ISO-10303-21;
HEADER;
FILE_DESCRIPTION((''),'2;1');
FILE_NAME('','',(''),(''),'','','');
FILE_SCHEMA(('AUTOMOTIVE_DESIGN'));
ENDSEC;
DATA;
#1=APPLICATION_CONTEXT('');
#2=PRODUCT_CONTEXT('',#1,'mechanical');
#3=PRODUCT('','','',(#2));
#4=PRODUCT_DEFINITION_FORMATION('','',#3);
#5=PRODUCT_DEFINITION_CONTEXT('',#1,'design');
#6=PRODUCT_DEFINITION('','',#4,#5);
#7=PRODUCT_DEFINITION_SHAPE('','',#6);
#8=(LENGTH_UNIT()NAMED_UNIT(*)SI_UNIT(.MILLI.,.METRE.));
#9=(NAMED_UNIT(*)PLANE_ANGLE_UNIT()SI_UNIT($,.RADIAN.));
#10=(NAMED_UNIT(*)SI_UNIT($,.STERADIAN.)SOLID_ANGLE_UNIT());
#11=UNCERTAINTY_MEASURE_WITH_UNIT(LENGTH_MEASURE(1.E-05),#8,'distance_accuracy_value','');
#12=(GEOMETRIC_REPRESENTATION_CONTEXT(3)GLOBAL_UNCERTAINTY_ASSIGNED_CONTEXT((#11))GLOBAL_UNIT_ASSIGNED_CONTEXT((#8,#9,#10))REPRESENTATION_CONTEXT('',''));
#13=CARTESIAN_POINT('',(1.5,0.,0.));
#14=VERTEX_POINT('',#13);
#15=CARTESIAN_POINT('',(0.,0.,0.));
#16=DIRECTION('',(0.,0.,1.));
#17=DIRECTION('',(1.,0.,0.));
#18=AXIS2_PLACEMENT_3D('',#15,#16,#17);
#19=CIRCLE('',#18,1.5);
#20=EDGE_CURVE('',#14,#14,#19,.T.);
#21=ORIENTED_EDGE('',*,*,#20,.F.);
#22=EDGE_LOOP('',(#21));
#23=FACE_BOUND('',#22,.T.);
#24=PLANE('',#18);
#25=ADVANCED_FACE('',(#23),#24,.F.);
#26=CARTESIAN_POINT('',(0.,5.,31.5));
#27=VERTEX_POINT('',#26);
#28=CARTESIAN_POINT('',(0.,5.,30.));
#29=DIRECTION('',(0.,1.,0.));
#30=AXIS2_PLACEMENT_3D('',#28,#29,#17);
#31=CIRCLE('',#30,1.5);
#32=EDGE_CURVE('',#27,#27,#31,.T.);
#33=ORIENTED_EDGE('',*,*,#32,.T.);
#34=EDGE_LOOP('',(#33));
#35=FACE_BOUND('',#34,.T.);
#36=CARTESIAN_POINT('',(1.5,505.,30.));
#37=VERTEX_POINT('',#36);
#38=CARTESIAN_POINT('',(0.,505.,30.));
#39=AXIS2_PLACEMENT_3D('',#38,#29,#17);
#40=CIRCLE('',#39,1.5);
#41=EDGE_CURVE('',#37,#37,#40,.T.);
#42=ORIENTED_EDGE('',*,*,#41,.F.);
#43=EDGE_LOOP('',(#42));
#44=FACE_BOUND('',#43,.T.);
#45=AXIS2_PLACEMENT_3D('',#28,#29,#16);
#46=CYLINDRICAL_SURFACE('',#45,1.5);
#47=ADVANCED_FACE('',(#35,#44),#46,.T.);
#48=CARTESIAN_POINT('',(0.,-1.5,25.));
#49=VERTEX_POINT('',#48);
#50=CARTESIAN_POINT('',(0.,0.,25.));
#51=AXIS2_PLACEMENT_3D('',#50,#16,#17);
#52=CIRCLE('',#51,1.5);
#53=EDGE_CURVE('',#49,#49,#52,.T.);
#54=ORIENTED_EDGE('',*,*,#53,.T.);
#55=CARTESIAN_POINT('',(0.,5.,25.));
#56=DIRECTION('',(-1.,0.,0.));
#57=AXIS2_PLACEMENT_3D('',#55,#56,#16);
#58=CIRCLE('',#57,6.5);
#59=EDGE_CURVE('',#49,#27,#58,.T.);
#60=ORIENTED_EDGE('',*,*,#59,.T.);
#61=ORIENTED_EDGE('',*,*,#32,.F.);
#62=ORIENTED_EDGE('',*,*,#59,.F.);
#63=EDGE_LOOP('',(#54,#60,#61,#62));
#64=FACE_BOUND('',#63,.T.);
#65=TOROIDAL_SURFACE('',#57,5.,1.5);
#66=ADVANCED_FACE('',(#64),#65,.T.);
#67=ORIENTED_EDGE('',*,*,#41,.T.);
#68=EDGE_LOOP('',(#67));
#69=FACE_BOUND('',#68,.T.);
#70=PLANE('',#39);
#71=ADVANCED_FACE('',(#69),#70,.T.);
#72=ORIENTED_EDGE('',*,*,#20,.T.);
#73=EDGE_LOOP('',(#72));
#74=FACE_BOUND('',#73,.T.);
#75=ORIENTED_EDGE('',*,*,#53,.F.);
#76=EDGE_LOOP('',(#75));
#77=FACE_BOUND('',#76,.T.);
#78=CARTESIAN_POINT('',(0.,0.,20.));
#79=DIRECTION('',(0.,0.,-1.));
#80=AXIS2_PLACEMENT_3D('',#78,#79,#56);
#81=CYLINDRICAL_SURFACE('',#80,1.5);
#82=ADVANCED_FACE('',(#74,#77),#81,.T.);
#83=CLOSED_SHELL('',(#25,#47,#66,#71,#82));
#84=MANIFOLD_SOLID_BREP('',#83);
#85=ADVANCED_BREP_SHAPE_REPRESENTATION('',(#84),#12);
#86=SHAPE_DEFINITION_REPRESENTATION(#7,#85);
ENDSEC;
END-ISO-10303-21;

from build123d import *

# Parameters (mm, degrees)
SKETCH_1_R      = 1.5
EXTRUDE_1_DEPTH = 20
SKETCH_2_R      = 1.5


with BuildPart() as part:
    # ｽｹｯﾁ1 → ﾎﾞｽ - 押し出し1 (new body)
    with BuildSketch(Plane.XY):
        Circle(SKETCH_1_R)
    extrude(amount=EXTRUDE_1_DEPTH)

    # ｽｲｰﾌﾟ1: sweep along a path in ｽｹｯﾁ3
    with BuildLine(Plane(origin=(0, 0, 0), x_dir=(0, 0, -1), z_dir=(1, 0, 0))) as sweep_1_path:
        Line((-20, 0), (-25, 0))
        ThreePointArc((-25, 0), (-28.535533906, 1.464466094), (-30, 5))
        Line((-30, 5), (-30, 505))
    # ｽｹｯﾁ2 → ｽｲｰﾌﾟ1 (sweep)
    with BuildSketch(Plane.XY.offset(20)):
        Circle(SKETCH_2_R)
    sweep(path=sweep_1_path.line)


solid = part.part
